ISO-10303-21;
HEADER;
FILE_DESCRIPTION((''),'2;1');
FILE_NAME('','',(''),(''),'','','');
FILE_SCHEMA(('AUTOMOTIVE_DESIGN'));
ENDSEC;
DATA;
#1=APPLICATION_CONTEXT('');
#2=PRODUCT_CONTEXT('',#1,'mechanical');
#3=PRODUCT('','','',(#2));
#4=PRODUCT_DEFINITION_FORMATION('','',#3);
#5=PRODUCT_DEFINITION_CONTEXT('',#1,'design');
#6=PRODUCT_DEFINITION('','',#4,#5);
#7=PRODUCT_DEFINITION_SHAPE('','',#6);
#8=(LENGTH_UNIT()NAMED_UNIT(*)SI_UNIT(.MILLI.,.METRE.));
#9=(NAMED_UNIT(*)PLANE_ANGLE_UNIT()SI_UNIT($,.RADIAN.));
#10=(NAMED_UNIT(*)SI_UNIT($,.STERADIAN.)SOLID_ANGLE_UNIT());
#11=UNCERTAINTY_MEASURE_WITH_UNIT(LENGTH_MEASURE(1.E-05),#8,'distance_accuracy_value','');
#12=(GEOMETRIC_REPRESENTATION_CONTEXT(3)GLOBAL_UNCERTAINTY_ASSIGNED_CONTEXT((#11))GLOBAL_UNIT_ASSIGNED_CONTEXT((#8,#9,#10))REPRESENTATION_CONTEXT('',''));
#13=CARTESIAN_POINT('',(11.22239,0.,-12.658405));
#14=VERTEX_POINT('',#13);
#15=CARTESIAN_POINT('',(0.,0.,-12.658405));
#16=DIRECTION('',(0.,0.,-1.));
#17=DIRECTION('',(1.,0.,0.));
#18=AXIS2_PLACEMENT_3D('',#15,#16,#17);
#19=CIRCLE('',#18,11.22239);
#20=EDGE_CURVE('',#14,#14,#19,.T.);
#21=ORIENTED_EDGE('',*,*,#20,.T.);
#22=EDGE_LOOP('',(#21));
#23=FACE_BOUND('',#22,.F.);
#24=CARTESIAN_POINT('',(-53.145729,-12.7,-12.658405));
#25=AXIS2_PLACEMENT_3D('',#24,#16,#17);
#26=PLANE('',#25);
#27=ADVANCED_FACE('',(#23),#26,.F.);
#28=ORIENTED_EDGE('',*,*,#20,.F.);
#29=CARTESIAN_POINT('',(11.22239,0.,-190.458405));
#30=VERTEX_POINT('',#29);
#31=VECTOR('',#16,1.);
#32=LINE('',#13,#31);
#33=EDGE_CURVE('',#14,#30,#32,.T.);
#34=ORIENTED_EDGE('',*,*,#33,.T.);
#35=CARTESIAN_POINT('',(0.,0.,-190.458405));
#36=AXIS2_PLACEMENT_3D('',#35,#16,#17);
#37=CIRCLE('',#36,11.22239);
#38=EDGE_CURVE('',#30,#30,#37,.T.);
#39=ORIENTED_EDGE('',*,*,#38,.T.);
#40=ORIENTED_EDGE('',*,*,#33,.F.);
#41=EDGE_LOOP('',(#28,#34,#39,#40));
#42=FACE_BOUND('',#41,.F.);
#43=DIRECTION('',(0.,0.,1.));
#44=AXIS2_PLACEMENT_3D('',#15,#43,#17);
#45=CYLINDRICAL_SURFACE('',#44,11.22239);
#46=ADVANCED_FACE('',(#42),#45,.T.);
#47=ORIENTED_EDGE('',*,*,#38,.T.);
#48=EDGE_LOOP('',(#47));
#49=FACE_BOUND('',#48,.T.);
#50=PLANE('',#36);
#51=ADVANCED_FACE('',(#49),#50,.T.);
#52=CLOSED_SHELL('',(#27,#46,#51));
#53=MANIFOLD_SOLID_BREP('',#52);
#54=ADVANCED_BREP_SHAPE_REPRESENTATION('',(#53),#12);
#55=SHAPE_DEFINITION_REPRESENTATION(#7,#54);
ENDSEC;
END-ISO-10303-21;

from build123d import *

# Parameters (mm, degrees)
F0_W     = 107.8754812479
F0_H     = 26.1090872809
F1_DEPTH = 12.7
F2_DEPTH = 12.7
F3_R     = 11.2223896829
F4_DEPTH = 177.8
F5_DEPTH = 25.4


with BuildPart() as f1:
    # F0 (on Front) → F1 (new body)
    with BuildSketch(Plane.XZ):
        with Locations((0.7920116186, 0.3961385228)):
            Rectangle(F0_W, F0_H)
    extrude(amount=F1_DEPTH)

    # F2 (add): a face of the model
    f2_faces = [f1.faces().sort_by_distance(p)[0] for p in [
        (0.7920116186, 0, 0.3961385228),
    ]]
    extrude(f2_faces, amount=F2_DEPTH)

    # F3 (on face) → F4 (join)
    with BuildSketch(Plane(origin=(0, 0, -12.6584051177), x_dir=(1, 0, 0), z_dir=(0, 0, -1))):
        Circle(F3_R)
    extrude(amount=F4_DEPTH)

    # F5 (cut): a face of the model
    f5_faces = [f1.faces().sort_by_distance(p)[0] for p in [
        (0.7920116186, -12.7, 0.3961385228),
    ]]
    extrude(f5_faces, amount=-F5_DEPTH, mode=Mode.SUBTRACT)


solid = f1.part
